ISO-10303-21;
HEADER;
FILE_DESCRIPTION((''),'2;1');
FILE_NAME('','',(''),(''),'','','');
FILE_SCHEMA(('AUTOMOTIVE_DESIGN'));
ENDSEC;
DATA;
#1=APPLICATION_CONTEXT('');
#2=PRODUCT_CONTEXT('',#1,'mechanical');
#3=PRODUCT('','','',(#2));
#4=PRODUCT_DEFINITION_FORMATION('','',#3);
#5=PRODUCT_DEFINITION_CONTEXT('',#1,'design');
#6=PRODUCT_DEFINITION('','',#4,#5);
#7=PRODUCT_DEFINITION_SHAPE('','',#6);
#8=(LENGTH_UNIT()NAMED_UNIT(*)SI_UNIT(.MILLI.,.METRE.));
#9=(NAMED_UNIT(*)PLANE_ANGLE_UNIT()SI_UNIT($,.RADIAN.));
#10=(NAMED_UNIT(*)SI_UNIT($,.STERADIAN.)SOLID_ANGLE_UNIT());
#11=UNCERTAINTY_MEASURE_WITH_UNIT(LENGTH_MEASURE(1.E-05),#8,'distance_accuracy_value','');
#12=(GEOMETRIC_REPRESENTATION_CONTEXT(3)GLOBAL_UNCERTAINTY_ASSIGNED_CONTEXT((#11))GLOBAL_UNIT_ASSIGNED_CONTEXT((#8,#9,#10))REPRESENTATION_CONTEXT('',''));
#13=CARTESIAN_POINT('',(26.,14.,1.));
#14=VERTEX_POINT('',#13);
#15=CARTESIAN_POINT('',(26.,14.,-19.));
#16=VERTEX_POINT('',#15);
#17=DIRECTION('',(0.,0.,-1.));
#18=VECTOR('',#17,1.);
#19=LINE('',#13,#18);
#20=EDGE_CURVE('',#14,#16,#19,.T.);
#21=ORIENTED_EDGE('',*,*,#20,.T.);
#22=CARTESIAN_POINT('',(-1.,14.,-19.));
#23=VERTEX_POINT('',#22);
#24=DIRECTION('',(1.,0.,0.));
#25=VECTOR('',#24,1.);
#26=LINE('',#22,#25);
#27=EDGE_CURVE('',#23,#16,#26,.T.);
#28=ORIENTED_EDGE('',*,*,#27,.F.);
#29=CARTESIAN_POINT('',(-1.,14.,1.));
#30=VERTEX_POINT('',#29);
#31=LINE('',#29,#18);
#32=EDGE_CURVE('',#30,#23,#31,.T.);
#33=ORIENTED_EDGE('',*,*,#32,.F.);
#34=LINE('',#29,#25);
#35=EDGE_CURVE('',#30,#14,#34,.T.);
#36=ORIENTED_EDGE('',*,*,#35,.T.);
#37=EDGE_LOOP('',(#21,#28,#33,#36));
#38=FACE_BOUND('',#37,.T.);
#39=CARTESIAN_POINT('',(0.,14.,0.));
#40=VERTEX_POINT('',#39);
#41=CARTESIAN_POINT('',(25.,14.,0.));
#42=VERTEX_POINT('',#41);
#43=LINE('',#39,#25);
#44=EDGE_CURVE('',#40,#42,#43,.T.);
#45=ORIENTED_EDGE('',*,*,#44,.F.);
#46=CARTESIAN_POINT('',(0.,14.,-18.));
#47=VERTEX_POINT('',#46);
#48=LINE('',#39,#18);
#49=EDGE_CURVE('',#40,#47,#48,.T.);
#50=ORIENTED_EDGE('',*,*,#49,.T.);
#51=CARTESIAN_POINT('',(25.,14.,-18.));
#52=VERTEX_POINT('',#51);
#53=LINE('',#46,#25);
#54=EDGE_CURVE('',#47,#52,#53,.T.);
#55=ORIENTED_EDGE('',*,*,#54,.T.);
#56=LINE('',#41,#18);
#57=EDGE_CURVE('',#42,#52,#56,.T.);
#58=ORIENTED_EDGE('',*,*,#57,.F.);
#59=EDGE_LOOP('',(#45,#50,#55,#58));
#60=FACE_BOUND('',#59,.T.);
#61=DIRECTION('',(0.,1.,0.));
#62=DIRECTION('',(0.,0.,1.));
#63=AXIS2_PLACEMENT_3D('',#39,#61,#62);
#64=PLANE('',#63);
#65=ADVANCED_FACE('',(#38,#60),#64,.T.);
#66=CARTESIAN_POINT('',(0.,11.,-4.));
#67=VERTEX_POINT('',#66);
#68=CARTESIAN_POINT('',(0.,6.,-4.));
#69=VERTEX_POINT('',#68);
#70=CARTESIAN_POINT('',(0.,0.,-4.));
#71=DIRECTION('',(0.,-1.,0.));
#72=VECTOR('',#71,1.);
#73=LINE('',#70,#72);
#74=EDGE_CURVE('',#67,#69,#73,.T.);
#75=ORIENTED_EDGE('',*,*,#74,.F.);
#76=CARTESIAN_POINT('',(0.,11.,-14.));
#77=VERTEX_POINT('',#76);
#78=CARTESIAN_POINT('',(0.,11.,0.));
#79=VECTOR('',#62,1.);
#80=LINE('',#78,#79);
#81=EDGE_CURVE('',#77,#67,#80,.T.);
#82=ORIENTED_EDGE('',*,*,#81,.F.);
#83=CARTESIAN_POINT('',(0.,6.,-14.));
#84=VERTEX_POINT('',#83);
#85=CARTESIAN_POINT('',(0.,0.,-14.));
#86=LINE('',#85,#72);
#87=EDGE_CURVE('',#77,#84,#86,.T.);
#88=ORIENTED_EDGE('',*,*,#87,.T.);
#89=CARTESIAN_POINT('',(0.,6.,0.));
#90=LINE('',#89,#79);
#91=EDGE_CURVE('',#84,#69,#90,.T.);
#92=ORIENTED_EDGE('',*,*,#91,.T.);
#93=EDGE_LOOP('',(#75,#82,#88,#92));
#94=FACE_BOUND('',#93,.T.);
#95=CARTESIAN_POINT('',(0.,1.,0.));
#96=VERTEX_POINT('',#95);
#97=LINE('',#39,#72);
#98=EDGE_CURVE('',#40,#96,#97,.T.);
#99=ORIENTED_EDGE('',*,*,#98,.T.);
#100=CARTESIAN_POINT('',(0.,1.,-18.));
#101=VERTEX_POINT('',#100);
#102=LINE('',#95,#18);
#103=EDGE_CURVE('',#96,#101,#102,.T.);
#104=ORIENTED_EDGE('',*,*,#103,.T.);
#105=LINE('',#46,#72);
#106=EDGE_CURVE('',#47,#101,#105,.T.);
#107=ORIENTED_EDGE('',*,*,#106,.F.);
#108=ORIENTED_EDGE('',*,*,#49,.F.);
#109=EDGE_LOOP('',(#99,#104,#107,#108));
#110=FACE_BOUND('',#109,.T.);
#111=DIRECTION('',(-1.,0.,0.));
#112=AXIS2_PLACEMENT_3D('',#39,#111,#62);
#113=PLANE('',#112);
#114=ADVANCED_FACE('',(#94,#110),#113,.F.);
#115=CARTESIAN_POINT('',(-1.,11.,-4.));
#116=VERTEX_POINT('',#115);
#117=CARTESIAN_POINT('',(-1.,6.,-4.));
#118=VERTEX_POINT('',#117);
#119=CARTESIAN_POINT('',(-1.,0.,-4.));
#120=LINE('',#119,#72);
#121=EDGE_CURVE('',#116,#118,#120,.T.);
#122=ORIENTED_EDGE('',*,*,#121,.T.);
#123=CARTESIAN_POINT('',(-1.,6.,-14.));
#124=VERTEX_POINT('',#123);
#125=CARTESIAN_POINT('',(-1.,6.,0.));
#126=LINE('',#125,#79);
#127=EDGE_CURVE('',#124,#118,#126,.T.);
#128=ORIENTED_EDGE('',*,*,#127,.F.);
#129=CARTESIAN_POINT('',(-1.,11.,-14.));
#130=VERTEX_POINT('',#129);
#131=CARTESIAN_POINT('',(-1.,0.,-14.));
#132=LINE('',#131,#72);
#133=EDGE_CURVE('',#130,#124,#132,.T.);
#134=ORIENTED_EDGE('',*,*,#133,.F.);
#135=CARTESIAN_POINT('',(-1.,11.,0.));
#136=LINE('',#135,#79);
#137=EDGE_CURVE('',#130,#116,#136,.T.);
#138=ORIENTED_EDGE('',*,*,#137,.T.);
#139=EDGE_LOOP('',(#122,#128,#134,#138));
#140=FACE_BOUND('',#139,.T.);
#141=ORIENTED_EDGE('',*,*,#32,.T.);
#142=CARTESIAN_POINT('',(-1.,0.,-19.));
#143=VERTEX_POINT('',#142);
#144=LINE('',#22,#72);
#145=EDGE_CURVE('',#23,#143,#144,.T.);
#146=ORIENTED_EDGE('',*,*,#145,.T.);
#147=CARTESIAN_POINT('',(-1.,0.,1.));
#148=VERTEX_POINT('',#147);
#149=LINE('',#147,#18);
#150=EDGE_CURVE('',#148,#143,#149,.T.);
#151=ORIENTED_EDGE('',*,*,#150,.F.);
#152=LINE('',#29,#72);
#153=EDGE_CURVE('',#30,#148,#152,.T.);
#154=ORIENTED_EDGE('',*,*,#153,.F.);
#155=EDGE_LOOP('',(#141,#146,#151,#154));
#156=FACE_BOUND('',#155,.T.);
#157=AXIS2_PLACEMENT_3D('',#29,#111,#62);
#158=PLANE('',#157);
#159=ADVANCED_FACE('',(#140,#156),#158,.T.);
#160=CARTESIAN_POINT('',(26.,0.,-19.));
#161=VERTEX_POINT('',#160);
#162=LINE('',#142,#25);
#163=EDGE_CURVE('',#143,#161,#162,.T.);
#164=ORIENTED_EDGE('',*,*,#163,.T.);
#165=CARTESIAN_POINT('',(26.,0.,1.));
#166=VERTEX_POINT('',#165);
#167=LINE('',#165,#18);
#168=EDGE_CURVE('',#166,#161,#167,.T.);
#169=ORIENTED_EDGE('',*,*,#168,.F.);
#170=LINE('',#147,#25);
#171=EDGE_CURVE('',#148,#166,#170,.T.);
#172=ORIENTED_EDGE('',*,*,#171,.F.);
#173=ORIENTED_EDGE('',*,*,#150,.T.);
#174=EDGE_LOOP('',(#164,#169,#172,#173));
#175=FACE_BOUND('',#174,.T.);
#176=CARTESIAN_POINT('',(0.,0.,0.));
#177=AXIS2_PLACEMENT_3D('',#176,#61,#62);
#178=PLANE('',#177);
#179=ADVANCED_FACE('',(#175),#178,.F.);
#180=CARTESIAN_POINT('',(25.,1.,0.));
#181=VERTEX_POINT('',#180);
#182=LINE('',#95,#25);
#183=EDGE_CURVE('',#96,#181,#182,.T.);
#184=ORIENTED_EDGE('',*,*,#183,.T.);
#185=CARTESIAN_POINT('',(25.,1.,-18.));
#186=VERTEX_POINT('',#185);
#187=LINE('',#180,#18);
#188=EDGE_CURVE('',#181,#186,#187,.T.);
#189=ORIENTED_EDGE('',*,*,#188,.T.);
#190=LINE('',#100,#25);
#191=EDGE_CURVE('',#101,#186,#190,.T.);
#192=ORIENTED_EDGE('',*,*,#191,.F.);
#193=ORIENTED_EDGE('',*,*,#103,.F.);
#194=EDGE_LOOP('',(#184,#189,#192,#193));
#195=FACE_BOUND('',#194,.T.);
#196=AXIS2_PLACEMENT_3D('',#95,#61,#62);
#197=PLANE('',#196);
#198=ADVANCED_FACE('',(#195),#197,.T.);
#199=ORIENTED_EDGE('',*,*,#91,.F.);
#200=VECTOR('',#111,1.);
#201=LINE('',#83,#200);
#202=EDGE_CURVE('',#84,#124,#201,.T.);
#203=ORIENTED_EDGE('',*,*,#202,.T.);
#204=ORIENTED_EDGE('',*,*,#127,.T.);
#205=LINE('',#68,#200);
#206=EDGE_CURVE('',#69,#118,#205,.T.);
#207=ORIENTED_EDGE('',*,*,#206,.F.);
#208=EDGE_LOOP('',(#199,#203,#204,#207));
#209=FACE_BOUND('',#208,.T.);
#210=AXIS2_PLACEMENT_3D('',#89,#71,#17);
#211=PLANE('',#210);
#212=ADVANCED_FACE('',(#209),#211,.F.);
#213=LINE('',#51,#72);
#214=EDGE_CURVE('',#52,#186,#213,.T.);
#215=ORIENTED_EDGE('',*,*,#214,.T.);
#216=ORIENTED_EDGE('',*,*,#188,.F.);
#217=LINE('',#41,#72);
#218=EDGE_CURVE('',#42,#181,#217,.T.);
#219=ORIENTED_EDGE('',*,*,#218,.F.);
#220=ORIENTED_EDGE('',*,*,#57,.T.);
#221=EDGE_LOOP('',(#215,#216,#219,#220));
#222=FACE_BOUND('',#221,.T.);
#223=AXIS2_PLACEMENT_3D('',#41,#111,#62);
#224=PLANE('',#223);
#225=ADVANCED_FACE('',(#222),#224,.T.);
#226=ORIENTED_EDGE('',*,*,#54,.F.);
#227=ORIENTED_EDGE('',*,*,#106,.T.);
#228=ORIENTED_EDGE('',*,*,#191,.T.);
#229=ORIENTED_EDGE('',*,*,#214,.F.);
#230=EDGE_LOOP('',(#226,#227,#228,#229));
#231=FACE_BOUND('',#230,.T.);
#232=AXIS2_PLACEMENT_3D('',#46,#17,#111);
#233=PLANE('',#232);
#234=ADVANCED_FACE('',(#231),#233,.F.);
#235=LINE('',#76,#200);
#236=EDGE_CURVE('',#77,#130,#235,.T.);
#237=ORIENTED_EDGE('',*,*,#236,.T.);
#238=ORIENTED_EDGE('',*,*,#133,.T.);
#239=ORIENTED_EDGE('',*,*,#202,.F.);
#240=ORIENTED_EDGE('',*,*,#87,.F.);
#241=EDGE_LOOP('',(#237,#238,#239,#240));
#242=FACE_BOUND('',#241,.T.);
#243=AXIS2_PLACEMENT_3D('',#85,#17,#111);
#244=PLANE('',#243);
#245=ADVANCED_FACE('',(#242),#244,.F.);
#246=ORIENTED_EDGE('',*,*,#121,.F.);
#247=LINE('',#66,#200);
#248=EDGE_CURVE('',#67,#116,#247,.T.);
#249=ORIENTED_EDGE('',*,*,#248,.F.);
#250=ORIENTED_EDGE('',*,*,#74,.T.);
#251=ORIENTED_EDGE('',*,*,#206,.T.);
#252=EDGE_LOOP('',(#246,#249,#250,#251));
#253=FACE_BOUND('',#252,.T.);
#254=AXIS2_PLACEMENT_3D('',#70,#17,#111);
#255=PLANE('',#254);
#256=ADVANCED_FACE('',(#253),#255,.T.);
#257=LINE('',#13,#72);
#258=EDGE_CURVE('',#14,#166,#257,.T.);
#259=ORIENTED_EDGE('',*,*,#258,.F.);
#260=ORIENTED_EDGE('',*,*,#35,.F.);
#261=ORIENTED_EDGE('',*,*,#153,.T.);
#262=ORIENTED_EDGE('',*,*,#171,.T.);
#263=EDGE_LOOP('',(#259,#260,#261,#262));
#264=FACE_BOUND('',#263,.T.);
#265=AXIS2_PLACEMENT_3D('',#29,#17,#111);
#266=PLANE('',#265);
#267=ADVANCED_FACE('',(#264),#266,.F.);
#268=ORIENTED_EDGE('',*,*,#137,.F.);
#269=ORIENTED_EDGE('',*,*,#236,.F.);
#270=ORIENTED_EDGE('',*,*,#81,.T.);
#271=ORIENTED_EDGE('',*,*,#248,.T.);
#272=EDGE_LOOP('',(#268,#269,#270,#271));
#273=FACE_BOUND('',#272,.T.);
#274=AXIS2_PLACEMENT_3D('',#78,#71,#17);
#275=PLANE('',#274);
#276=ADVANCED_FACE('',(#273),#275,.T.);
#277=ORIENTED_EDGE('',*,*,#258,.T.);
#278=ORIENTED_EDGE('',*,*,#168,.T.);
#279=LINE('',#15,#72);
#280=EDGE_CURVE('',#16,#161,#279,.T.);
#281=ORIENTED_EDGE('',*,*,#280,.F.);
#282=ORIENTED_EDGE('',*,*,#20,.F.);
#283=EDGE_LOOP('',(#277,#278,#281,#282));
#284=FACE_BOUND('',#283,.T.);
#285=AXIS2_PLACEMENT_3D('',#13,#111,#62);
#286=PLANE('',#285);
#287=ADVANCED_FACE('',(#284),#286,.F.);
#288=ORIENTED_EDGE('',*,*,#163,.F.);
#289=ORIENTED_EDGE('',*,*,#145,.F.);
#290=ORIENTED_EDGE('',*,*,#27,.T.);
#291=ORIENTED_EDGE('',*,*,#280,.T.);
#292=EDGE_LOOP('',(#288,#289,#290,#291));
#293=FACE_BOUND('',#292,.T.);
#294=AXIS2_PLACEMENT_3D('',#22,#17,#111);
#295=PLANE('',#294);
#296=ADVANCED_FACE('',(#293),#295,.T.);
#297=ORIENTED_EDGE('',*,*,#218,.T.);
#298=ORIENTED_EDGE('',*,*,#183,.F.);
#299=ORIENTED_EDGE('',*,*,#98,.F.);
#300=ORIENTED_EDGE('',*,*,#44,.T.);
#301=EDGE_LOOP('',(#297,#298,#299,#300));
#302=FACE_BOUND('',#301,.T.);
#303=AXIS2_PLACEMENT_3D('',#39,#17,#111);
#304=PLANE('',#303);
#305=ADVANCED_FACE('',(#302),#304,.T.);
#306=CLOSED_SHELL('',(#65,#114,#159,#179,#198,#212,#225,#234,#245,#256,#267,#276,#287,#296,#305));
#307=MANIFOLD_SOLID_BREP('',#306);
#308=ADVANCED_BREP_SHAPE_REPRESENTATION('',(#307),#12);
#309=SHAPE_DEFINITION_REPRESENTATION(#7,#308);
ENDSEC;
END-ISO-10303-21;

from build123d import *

# Parameters (mm, degrees)
CROQUIS1_W              = 27
CROQUIS1_H              = 20
CROQUIS1_W_2            = 25
CROQUIS1_H_2            = 18
SALIENTE_EXTRUIR1_DEPTH = 14
CROQUIS1_3_W            = 25
CROQUIS1_3_H            = 18
SALIENTE_EXTRUIR2_DEPTH = 1
CROQUIS2_W              = 10
CROQUIS2_H              = 5
CORTAR_EXTRUIR1_DEPTH   = 1


with BuildPart() as part:
    # Croquis1 → Saliente-Extruir1 (new body)
    with BuildSketch(Plane(origin=(0, 0, 0), x_dir=(1, 0, 0), z_dir=(0, 1, 0))):
        with Locations((12.5, 9)):
            Rectangle(CROQUIS1_W, CROQUIS1_H)
        with Locations((12.5, 9)):
            Rectangle(CROQUIS1_W_2, CROQUIS1_H_2, mode=Mode.SUBTRACT)
    extrude(amount=SALIENTE_EXTRUIR1_DEPTH)

    # Croquis1<3> → Saliente-Extruir2 (add)
    with BuildSketch(Plane(origin=(0, 0, 0), x_dir=(1, 0, 0), z_dir=(0, 1, 0))):
        with Locations((12.5, 9)):
            Rectangle(CROQUIS1_3_W, CROQUIS1_3_H)
    extrude(amount=SALIENTE_EXTRUIR2_DEPTH)

    # Croquis2 → Cortar-Extruir1 (cut)
    with BuildSketch(Plane.ZY.offset(1)):
        with Locations((-9, 8.5)):
            Rectangle(CROQUIS2_W, CROQUIS2_H)
    extrude(amount=-CORTAR_EXTRUIR1_DEPTH, mode=Mode.SUBTRACT)


solid = part.part
